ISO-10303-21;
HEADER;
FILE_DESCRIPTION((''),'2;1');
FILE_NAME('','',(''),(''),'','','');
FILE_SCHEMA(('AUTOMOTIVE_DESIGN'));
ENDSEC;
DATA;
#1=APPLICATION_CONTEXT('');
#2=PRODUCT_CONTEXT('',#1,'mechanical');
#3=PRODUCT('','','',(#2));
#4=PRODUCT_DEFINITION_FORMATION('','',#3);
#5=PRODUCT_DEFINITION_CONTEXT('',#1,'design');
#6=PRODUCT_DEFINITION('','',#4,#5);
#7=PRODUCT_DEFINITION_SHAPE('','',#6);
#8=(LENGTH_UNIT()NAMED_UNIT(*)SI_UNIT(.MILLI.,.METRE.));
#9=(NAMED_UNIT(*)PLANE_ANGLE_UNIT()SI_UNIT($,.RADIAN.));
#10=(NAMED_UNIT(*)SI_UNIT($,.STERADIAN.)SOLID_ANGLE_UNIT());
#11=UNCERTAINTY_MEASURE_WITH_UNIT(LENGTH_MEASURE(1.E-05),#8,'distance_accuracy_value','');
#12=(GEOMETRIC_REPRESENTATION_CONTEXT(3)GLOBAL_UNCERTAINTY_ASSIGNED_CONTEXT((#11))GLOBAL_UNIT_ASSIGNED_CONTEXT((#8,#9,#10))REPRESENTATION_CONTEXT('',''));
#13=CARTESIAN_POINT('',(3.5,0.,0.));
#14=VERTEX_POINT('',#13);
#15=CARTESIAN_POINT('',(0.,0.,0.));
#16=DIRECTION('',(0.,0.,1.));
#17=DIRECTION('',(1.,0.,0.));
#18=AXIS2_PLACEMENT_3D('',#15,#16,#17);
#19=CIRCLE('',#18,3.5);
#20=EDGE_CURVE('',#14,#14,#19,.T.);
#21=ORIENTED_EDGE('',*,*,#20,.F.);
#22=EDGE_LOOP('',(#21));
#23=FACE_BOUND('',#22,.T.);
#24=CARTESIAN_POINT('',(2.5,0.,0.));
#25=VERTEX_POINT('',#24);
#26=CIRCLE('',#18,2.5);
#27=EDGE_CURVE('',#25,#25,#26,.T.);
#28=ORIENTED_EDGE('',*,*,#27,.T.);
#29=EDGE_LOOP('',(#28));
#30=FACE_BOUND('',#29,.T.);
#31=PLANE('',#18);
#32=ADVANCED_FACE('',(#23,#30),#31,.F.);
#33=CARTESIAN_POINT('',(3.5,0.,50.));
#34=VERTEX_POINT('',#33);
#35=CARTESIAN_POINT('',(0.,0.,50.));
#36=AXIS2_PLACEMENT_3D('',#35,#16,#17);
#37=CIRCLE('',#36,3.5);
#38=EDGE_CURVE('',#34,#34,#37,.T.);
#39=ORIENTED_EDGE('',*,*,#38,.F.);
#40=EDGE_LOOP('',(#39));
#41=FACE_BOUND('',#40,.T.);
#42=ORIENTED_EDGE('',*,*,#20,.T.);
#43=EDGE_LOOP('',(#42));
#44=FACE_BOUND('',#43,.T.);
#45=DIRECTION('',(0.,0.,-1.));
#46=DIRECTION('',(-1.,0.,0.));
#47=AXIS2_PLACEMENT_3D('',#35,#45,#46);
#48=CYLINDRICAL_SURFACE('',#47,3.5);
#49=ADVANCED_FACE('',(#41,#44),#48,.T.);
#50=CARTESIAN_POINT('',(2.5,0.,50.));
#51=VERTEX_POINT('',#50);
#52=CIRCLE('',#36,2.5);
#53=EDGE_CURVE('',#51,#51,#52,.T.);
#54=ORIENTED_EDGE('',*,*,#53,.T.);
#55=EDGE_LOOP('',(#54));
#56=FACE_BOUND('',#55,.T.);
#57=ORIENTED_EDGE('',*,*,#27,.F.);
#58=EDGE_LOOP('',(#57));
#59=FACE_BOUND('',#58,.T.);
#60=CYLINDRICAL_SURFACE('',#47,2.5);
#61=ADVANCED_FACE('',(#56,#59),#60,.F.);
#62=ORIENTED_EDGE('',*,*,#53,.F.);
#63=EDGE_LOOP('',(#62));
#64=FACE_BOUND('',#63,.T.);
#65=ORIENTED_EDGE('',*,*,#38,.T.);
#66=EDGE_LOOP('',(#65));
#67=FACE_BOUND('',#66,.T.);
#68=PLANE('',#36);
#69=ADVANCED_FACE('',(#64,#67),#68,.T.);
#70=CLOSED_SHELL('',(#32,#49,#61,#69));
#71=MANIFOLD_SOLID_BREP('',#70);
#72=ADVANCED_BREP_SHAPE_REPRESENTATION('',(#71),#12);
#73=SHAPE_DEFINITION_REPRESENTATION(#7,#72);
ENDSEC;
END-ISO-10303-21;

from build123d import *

# Parameters (mm, degrees)
ESQUISSE1_R        = 3.5
ESQUISSE1_R_2      = 2.5
BOSS_EXTRU_1_DEPTH = 50


with BuildPart() as part:
    # Esquisse1 → Boss.-Extru.1 (new body)
    with BuildSketch(Plane.XY):
        Circle(ESQUISSE1_R)
        Circle(ESQUISSE1_R_2, mode=Mode.SUBTRACT)
    extrude(amount=BOSS_EXTRU_1_DEPTH)


solid = part.part
